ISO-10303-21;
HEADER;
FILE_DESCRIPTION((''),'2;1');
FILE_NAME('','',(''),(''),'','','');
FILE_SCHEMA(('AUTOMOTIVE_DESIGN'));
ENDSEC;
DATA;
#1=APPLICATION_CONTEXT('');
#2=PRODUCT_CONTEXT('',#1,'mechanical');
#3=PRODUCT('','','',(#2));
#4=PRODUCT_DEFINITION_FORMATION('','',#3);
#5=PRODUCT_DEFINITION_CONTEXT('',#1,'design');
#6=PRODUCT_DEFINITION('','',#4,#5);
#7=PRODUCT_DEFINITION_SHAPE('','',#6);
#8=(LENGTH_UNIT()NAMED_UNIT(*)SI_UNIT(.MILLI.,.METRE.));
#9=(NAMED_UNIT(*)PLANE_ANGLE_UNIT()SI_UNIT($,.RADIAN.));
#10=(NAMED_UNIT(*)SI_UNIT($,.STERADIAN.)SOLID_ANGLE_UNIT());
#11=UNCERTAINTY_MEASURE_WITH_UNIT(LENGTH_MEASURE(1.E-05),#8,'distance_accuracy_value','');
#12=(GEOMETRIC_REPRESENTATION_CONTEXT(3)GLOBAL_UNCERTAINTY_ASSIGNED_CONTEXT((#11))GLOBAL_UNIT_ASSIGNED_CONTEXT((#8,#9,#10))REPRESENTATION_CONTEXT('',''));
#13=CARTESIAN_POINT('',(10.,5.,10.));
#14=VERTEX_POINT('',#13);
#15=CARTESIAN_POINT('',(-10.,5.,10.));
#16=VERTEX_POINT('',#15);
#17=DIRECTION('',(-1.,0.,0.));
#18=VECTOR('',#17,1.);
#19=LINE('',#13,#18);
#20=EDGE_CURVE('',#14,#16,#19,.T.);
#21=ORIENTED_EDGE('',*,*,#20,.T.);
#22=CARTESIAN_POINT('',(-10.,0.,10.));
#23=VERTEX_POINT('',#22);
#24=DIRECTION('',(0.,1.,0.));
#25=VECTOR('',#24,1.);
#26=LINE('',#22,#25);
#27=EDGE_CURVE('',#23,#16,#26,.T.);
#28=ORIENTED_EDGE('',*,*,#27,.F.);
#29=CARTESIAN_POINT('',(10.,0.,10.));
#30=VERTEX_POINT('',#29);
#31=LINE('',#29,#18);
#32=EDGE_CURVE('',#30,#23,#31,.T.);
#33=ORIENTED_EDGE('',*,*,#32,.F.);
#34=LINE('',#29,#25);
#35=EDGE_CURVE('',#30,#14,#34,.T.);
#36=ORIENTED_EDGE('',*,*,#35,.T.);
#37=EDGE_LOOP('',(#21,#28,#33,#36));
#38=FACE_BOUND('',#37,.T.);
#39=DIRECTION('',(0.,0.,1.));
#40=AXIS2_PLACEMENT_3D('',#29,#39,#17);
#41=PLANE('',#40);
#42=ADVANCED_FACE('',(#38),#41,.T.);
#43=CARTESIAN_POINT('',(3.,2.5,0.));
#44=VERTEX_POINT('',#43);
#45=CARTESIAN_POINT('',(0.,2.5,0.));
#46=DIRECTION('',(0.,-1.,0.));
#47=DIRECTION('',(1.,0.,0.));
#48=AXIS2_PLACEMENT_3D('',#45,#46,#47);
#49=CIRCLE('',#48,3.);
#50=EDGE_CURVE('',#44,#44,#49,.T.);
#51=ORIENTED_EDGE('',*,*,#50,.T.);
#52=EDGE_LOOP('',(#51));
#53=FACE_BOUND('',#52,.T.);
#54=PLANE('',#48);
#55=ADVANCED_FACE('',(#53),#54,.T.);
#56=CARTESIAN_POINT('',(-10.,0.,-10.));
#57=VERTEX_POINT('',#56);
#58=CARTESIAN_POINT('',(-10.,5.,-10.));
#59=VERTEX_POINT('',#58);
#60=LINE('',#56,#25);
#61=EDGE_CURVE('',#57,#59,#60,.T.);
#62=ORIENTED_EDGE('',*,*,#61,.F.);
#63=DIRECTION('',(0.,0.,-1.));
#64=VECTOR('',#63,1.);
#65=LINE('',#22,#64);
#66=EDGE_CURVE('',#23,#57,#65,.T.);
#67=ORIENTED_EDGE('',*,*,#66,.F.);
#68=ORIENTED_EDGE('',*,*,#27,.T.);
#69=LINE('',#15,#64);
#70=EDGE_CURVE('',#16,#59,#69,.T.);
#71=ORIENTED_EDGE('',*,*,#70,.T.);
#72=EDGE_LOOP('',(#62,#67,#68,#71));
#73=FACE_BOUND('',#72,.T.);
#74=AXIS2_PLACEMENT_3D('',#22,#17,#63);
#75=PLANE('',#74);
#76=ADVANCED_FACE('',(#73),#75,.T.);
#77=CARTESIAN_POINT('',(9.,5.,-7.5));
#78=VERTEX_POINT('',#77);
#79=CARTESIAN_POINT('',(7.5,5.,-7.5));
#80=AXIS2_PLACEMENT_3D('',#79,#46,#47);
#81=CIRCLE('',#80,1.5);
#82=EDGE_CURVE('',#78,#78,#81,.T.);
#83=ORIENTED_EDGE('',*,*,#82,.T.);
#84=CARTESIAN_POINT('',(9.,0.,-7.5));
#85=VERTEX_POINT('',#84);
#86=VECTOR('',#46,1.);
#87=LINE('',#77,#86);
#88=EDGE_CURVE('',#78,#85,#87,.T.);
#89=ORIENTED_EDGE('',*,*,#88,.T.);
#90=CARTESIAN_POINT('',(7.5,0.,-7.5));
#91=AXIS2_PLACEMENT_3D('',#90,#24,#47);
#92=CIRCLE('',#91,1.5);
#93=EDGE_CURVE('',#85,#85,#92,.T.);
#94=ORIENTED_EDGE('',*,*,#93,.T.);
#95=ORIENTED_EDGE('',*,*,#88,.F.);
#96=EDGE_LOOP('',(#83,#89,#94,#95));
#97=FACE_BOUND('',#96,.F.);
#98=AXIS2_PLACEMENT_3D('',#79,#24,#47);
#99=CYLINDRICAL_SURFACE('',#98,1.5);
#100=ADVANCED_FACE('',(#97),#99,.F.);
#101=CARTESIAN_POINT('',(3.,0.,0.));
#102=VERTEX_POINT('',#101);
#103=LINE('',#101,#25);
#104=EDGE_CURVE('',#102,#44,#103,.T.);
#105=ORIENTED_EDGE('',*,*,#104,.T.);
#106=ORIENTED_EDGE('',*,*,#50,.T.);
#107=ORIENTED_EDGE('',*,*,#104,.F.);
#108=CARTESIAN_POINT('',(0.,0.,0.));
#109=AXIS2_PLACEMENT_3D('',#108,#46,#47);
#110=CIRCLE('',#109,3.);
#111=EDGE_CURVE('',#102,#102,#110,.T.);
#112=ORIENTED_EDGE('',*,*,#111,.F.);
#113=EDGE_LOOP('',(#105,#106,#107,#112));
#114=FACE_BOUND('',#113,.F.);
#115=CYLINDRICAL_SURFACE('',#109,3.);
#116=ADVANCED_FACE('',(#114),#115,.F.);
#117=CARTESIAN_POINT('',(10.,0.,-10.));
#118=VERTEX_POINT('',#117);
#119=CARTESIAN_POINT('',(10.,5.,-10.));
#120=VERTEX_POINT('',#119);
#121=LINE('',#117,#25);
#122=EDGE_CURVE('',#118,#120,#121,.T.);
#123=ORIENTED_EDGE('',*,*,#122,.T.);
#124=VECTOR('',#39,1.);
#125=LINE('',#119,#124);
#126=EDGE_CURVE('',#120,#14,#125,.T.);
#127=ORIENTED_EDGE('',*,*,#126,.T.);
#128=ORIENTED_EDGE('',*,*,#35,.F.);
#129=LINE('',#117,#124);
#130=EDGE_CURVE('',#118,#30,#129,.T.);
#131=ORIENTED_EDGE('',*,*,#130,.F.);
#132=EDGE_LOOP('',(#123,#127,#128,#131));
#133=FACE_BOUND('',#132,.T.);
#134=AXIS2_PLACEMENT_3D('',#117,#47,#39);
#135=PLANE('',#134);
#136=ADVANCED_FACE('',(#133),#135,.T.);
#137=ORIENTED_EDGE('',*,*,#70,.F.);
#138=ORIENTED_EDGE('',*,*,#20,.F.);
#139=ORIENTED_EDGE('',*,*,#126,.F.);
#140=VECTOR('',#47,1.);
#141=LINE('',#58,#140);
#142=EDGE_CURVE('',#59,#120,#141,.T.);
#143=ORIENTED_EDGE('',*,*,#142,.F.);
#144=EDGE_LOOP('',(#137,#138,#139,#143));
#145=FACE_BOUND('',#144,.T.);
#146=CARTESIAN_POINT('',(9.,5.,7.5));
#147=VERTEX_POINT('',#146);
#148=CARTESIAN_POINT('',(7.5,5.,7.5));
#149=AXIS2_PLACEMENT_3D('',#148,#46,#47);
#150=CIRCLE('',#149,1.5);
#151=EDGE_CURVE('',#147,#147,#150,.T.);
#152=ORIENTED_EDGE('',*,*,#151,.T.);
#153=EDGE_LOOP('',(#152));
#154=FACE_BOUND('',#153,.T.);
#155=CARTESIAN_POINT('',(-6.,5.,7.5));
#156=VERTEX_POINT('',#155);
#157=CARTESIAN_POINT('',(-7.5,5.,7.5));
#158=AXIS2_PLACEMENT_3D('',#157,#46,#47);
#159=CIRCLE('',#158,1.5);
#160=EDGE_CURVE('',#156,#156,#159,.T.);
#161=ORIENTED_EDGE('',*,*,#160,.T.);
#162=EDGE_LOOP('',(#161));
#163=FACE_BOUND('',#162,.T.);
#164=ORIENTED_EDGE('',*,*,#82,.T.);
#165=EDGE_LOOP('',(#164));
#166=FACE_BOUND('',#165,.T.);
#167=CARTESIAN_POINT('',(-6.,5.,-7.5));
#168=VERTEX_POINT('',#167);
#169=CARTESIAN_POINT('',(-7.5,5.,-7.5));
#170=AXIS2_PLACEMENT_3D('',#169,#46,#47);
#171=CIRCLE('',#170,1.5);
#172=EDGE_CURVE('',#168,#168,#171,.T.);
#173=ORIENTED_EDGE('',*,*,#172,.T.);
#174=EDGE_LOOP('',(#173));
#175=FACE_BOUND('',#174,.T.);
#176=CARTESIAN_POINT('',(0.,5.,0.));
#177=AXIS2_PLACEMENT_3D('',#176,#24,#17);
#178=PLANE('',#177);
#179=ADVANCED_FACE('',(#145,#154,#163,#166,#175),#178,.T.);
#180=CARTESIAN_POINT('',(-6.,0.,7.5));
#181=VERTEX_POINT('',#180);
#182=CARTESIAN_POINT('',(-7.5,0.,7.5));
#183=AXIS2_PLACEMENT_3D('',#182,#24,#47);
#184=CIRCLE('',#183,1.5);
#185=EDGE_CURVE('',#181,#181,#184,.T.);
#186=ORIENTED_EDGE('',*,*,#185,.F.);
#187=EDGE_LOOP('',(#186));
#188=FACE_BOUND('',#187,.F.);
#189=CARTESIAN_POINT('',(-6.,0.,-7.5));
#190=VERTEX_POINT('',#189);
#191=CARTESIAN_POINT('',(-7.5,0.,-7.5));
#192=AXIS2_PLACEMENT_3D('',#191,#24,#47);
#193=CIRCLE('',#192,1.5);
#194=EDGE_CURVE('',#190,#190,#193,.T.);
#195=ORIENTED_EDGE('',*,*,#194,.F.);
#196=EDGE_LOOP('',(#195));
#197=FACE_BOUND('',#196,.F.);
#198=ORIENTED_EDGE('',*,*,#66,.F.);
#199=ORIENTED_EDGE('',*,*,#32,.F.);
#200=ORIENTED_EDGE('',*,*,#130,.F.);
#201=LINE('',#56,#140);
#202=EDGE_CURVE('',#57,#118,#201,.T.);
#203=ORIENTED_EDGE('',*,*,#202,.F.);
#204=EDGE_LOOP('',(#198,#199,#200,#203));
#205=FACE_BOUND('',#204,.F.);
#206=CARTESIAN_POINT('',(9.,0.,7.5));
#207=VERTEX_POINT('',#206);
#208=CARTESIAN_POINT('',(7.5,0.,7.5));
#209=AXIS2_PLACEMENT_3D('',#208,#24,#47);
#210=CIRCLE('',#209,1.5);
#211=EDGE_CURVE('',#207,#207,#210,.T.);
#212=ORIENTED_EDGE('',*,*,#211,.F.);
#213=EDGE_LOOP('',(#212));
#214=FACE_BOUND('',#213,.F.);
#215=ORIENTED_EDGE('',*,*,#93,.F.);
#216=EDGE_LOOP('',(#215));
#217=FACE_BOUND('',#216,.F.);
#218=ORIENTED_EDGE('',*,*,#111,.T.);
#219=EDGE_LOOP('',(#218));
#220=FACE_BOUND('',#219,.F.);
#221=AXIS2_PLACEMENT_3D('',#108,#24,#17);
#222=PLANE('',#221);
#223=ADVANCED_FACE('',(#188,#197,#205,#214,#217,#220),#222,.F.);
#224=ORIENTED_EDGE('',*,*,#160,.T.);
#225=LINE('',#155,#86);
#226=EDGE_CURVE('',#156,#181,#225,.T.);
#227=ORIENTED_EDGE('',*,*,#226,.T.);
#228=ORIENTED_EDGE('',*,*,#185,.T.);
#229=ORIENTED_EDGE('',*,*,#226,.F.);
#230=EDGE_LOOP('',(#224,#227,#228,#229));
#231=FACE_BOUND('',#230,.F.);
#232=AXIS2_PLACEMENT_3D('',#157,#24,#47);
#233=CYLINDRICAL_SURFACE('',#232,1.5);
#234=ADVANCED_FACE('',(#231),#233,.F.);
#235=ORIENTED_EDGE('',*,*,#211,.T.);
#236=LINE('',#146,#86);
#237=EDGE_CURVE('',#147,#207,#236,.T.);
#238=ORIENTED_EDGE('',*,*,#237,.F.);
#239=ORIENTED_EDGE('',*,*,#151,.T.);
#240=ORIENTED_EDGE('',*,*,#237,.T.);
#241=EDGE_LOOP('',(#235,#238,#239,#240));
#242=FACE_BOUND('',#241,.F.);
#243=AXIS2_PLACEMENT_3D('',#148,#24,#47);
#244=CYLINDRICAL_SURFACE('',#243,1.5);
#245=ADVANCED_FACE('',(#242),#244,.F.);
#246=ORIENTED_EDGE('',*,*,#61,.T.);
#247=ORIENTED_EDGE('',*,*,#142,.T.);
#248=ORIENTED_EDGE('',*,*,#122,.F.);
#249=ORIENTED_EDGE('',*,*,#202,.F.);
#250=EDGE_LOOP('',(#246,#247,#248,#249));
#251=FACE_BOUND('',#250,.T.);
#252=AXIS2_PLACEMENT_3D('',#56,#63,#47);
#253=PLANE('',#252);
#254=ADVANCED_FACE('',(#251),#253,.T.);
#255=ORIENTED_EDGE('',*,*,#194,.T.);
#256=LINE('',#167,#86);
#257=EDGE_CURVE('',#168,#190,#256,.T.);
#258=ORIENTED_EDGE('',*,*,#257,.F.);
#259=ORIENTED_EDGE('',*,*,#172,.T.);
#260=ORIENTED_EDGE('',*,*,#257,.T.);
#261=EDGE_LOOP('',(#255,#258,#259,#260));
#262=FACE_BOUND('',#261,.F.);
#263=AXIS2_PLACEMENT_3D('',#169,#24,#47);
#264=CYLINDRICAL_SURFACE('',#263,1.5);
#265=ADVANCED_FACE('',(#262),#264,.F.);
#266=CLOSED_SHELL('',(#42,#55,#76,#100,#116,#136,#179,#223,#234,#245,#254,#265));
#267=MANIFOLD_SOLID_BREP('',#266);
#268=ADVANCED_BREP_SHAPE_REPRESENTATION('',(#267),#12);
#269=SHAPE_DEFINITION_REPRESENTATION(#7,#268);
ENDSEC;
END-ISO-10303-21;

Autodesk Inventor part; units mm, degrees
ref_plane "YZ Plane" through (0, 0, 0) normal (1, 0, 0) x (0, 1, 0)
ref_plane "XZ Plane" through (0, 0, 0) normal (0, 1, 0) x (-1, 0, 0)
ref_plane "XY Plane" through (0, 0, 0) normal (0, 0, 1) x (1, 0, 0)
sketch "Boceto1" plane through (0, 0, 0) normal (0, 1, 0) x (-1, 0, 0)
  line L0 (10, -10) -> (-10, -10)
  line L1 (-10, -10) -> (-10, 10)
  line L2 (-10, 10) -> (10, 10)
  line L3 (10, 10) -> (10, -10)
  line L4 (10, -10) -> (-10, 10) construction
  line L5 (-10, -10) -> (10, 10) construction
  point P0 (0, 0)
  dimension "d0" = 20
  dimension "d1" = 20
extrude "Extrusión1" add sketch "Boceto1" along normal blind 5
sketch "Boceto2" plane through (0, 0, 0) normal (0, -1, 0) x (1, 0, 0)
  circle A0 centre (0, 0) radius 3
  dimension "d4" = 6
extrude "Extrusión2" cut sketch "Boceto2" against normal blind 2.5
sketch "Boceto3" plane through (0, 5, 0) normal (0, 1, 0) x (1, 0, 0)
  line L0 (7.5, -7.5) -> (-7.5, -7.5)
  line L1 (-7.5, -7.5) -> (-7.5, 7.5)
  line L2 (-7.5, 7.5) -> (7.5, 7.5)
  line L3 (7.5, 7.5) -> (7.5, -7.5)
  line L4 (7.5, -7.5) -> (-7.5, 7.5) construction
  line L5 (-7.5, -7.5) -> (7.5, 7.5) construction
  circle A0 centre (-7.5, 7.5) radius 1.5
  circle A1 centre (7.5, 7.5) radius 1.5
  circle A2 centre (-7.5, -7.5) radius 1.5
  circle A3 centre (7.5, -7.5) radius 1.5
  point P0 (0, 0)
  dimension "d7" = 15
  dimension "d8" = 15
  dimension "d9" = 3
  dimension "d10" = 3
  dimension "d11" = 3
  dimension "d12" = 3
extrude "Extrusión3" cut sketch "Boceto3" against normal blind 5 contours A2 L1 L0 | L0 L1 A2 | A3 L3 L0 | L0 L3 A3 | A0 L2 L1 | L1 L2 A0 | A1 L2 L3 | L3 L2 A1
properties part number "engine_coupling" material "Plástico ABS"
